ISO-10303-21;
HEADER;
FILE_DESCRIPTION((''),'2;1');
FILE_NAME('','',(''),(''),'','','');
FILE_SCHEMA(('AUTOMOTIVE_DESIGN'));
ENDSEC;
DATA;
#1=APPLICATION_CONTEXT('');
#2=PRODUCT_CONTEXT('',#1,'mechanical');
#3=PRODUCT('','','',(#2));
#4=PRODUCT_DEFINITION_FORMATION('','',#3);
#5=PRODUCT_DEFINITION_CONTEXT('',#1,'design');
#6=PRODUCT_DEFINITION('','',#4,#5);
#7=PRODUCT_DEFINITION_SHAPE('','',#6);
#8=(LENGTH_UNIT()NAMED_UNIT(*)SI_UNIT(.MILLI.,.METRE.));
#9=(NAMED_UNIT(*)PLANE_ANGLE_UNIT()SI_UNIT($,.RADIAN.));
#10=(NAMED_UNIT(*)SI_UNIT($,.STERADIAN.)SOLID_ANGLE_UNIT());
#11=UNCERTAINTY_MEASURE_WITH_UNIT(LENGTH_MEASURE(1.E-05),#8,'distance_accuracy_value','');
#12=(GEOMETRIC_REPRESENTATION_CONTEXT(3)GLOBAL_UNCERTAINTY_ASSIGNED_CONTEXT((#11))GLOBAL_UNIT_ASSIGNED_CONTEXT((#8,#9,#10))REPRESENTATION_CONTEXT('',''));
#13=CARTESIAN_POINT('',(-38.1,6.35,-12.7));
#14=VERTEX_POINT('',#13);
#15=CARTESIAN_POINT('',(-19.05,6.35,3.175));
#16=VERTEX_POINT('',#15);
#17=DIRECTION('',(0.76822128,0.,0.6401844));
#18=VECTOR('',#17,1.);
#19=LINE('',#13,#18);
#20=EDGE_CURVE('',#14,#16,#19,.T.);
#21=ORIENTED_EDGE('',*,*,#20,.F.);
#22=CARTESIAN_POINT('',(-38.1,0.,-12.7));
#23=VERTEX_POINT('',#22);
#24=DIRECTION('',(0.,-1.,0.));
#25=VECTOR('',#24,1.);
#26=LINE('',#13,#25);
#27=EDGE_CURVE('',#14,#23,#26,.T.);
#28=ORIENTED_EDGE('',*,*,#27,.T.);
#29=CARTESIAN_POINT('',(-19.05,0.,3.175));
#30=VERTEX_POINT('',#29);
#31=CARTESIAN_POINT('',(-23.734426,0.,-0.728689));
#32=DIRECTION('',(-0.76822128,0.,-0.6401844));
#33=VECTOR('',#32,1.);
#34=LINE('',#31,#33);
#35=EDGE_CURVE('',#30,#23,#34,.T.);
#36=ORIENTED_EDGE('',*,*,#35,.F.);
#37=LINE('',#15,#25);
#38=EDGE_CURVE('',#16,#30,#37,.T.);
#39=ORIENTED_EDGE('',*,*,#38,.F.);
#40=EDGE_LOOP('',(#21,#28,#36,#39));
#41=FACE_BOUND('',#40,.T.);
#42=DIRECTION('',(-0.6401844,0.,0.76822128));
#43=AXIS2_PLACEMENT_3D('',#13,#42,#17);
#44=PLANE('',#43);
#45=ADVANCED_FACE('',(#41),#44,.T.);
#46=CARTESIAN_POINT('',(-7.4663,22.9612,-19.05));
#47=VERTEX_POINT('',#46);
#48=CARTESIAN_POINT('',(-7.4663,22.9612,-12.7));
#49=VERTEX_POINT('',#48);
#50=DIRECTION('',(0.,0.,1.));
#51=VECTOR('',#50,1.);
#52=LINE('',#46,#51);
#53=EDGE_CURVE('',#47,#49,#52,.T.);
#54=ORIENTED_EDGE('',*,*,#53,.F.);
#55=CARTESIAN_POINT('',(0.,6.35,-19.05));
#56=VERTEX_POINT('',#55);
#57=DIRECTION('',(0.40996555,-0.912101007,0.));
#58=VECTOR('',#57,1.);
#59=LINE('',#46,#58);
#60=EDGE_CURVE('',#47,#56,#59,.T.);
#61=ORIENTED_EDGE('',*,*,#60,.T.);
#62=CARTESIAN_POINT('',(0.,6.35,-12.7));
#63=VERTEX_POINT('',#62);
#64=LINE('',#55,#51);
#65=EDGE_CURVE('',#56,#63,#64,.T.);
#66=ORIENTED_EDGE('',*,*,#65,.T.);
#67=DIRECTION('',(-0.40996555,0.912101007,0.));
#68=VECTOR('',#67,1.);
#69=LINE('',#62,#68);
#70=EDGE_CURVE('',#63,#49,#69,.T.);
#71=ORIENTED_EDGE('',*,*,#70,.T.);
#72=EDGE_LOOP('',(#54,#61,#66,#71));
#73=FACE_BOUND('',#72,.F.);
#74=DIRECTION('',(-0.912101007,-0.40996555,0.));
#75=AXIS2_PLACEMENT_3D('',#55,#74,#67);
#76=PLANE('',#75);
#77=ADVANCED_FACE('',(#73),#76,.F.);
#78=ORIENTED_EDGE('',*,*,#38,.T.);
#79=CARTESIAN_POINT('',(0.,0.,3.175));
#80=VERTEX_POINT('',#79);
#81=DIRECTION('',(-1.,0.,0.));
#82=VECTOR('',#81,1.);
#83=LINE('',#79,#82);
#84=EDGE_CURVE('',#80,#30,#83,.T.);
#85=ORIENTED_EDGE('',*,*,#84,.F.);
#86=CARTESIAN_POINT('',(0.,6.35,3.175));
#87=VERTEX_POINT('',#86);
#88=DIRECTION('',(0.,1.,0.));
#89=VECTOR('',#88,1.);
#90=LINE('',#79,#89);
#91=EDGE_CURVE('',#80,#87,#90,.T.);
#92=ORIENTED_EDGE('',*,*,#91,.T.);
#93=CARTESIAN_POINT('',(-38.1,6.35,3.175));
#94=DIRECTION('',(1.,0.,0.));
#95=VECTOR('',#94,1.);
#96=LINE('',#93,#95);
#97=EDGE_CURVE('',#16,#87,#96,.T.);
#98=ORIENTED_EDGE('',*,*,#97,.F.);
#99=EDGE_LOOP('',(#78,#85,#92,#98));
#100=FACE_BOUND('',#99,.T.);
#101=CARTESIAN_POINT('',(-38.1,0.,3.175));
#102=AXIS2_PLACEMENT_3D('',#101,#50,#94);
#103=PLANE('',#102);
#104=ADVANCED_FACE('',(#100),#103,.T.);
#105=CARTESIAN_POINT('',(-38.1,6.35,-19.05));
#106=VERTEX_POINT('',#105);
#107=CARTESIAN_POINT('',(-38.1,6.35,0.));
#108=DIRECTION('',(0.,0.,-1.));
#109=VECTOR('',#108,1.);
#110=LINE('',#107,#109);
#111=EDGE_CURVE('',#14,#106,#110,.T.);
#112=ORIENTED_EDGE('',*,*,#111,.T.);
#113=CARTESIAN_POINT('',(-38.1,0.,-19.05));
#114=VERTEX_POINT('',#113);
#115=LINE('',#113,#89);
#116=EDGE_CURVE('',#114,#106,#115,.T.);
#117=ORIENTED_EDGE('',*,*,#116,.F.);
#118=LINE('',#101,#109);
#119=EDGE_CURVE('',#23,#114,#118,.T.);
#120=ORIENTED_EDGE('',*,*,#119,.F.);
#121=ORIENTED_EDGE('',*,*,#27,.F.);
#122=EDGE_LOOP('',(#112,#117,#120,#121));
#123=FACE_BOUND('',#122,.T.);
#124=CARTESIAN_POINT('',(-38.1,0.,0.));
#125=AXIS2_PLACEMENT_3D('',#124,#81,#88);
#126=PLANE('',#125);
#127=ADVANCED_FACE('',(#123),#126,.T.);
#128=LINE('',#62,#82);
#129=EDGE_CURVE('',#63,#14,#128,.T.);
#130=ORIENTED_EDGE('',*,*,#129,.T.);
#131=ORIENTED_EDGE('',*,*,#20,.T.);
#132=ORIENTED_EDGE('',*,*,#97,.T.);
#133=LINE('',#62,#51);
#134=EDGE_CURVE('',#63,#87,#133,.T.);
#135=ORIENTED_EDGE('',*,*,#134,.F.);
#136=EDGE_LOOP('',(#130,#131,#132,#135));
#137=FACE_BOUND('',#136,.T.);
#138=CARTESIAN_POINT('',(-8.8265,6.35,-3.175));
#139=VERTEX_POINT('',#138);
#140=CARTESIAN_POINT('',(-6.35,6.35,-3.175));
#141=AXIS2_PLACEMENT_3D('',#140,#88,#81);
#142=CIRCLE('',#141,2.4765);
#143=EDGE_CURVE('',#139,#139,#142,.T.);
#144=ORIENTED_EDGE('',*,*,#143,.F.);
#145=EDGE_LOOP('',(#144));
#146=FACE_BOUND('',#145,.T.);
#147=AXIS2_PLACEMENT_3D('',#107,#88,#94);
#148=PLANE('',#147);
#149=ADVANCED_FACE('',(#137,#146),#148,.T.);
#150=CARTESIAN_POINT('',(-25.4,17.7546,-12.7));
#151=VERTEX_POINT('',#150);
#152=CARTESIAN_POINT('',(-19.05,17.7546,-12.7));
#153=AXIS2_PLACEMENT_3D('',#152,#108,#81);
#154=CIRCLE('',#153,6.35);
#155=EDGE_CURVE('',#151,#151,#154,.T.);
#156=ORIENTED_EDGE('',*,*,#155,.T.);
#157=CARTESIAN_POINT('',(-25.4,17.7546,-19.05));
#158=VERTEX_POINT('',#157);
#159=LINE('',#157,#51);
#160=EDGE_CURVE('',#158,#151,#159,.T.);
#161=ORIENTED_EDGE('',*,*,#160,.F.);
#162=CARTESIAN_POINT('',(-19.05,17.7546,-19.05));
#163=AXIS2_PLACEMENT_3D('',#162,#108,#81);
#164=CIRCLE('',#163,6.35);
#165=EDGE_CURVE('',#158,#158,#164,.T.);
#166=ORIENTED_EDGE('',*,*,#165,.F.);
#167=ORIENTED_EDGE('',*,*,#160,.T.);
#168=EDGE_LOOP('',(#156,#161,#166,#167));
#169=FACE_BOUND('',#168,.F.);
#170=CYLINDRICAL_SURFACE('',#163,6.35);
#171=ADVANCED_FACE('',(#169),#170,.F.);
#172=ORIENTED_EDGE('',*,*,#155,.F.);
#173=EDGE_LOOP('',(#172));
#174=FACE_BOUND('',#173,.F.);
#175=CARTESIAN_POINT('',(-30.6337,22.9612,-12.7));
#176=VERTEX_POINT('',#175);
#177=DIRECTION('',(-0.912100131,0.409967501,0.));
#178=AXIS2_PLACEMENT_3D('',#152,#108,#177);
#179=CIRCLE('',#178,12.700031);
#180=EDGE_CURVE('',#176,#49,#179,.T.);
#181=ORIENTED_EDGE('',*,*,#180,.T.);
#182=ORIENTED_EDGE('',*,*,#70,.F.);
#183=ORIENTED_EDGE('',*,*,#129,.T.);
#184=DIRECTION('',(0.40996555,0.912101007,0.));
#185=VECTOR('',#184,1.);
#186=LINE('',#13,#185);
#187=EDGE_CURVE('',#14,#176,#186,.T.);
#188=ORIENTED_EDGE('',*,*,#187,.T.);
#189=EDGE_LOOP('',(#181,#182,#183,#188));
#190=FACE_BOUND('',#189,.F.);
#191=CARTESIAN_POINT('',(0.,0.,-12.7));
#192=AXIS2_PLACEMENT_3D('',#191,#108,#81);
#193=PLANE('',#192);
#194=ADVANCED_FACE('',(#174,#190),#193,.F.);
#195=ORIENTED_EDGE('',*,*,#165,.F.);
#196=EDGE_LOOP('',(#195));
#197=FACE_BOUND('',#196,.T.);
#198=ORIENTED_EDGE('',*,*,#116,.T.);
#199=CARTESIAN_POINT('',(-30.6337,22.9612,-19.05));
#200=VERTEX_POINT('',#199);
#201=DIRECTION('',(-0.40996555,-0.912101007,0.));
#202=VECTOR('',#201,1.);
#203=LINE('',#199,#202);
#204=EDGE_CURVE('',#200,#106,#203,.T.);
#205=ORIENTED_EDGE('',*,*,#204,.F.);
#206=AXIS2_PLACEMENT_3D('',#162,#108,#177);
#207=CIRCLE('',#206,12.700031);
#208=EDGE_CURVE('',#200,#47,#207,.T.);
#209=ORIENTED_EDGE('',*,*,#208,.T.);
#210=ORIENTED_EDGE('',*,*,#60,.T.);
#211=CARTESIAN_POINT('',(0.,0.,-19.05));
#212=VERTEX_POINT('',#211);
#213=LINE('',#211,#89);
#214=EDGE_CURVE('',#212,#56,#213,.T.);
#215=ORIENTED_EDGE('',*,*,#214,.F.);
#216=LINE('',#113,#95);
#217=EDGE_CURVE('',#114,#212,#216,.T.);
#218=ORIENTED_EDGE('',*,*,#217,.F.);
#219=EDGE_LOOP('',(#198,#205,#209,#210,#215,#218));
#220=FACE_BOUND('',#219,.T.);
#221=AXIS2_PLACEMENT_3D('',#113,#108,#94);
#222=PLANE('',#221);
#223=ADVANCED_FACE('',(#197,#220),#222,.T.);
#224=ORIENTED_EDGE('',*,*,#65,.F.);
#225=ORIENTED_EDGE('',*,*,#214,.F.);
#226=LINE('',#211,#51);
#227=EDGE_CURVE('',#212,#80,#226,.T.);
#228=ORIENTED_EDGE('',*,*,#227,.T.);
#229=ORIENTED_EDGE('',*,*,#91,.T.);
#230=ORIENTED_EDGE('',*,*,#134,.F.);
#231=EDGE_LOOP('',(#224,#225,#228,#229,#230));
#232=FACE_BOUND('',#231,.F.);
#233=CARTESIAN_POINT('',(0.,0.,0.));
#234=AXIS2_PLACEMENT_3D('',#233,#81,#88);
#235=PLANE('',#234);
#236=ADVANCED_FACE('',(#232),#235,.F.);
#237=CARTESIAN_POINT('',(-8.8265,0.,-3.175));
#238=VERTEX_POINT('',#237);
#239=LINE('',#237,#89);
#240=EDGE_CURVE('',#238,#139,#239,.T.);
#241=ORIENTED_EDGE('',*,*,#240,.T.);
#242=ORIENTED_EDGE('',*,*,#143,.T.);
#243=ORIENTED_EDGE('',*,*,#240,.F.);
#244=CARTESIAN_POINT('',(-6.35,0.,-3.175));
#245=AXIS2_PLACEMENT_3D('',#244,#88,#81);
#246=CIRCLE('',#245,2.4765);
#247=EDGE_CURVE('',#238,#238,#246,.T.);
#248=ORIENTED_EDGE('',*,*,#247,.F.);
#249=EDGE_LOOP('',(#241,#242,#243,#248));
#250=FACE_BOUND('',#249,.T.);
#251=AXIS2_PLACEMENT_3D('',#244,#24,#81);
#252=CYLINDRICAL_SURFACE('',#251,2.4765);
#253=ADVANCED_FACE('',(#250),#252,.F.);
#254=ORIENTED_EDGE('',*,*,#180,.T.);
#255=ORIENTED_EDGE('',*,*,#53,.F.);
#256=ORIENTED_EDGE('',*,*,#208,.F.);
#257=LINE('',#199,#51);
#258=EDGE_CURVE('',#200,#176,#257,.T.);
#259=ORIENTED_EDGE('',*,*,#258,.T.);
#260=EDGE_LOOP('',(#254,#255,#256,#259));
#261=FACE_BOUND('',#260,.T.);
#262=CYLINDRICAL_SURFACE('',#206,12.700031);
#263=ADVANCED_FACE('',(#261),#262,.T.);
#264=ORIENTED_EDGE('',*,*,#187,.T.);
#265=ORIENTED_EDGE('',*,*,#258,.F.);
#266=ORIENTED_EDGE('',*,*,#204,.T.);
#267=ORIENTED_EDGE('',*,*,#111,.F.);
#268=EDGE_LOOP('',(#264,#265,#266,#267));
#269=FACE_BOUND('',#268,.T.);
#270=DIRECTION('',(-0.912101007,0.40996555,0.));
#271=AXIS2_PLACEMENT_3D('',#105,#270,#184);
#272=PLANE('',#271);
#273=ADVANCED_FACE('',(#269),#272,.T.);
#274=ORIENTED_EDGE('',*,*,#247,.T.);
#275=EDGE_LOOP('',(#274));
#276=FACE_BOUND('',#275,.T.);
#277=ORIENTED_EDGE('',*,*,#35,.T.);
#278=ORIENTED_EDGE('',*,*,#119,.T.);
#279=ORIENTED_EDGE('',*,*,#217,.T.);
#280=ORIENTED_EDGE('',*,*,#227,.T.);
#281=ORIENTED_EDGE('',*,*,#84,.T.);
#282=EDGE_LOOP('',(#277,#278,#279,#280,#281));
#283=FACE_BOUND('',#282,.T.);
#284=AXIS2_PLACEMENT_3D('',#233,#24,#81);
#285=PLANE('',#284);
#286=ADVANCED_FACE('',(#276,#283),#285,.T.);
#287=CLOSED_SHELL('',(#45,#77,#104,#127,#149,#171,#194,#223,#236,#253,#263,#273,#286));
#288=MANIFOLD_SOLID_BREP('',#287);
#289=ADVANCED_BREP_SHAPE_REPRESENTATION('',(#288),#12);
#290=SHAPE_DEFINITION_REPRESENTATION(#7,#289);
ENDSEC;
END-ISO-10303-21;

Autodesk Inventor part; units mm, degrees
ref_plane "YZ Plane" through (0, 0, 0) normal (1, 0, 0) x (0, 1, 0)
ref_plane "XZ Plane" through (0, 0, 0) normal (0, 1, 0) x (-1, 0, 0)
ref_plane "XY Plane" through (0, 0, 0) normal (0, 0, 1) x (1, 0, 0)
sketch "Sketch1" plane through (0, 0, 0) normal (0, 1, 0) x (-1, 0, 0)
  line L0 (0, 0) -> (38.1, 0)
  line L1 (38.1, 0) -> (38.1, -19.05)
  line L2 (38.1, -19.05) -> (0, -19.05)
  line L3 (0, -19.05) -> (0, 0)
  circle A0 centre (6.35, -3.175) radius 2.4765
  circle A1 centre (31.75, -3.175) radius 2.4765
  dimension "d0" = 4.953
  dimension "d1" = 4.953
  dimension "d2" = 25.4
  dimension "d3" = 6.35
  dimension "d4" = 3.175
  dimension "d5" = 6.35
  dimension "d6" = 19.05
extrude "Extrusion1" add sketch "Sketch1" along normal blind 6.35
sketch "Sketch2" plane through (0, 0, -19.05) normal (0, 0, -1) x (-1, 0, 0)
  line L0 (38.1, 0) -> (0, 0) projected
  line L1 (38.1, 0) -> (38.1, 6.35) projected
  line L2 (0, 6.35) -> (38.1, 6.35) projected
  line L3 (0, 0) -> (0, 6.35) projected
  circle A0 centre (19.05, 17.7546) radius 14.2748 projected
  circle A1 centre (19.05, 17.7546) radius 6.35
  line L4 (38.1, 6.35) -> (0, 6.35) projected
  line L5 (0, 6.35) -> (7.4663, 22.9612)
  line L6 (38.1, 6.35) -> (30.6337, 22.9612)
  arc A2 (30.6337, 22.9612) -> (7.4663, 22.9612) centre (19.05, 17.7546) ccw
  point P0 (0, 0)
  dimension "d9" = 6.35
  dimension "d10" = 12.7
extrude "Extrusion2" add sketch "Sketch2" against normal blind 6.35 contours L2 A0 L6 | L5 A0 L2 | L2 A0 L5 A2 L6
sketch "Sketch3" plane through (-38.1, 0, 0) normal (0, 0, 1) x (1, 0, 0)
  line L0 (38.1, 0) -> (0, 0) projected
  line L1 (38.1, 0) -> (38.1, 6.35) projected
  line L2 (0, 6.35) -> (38.1, 6.35) projected
  line L3 (0, 0) -> (0, 6.35) projected
extrude "Extrusion3" add sketch "Sketch3" along normal blind 3.175
sketch "Sketch4" plane through (0, 6.35, 0) normal (0, 1, 0) x (1, 0, 0)
  line L0 (0, 12.7) -> (-38.1, 12.7) projected
  line L1 (-38.1, 12.7) -> (-38.1, -3.175) projected
  line L2 (0, -3.175) -> (-38.1, -3.175) projected
  line L3 (0, 12.7) -> (0, -3.175) projected
  circle A0 centre (-6.35, 3.175) radius 2.4765 projected
  circle A1 centre (-31.75, 3.175) radius 2.4765 projected
  line L4 (-38.1, 12.7) -> (-19.05, -3.175)
  line L5 (-38.1, -3.175) -> (0, -3.175) projected
  point P0 (0, 0)
extrude "Extrusion4" cut sketch "Sketch4" against normal blind 25.4 contours L4 L2 L1
equation "\"d5\" = d3"
properties part number "Encoder mount_left"
